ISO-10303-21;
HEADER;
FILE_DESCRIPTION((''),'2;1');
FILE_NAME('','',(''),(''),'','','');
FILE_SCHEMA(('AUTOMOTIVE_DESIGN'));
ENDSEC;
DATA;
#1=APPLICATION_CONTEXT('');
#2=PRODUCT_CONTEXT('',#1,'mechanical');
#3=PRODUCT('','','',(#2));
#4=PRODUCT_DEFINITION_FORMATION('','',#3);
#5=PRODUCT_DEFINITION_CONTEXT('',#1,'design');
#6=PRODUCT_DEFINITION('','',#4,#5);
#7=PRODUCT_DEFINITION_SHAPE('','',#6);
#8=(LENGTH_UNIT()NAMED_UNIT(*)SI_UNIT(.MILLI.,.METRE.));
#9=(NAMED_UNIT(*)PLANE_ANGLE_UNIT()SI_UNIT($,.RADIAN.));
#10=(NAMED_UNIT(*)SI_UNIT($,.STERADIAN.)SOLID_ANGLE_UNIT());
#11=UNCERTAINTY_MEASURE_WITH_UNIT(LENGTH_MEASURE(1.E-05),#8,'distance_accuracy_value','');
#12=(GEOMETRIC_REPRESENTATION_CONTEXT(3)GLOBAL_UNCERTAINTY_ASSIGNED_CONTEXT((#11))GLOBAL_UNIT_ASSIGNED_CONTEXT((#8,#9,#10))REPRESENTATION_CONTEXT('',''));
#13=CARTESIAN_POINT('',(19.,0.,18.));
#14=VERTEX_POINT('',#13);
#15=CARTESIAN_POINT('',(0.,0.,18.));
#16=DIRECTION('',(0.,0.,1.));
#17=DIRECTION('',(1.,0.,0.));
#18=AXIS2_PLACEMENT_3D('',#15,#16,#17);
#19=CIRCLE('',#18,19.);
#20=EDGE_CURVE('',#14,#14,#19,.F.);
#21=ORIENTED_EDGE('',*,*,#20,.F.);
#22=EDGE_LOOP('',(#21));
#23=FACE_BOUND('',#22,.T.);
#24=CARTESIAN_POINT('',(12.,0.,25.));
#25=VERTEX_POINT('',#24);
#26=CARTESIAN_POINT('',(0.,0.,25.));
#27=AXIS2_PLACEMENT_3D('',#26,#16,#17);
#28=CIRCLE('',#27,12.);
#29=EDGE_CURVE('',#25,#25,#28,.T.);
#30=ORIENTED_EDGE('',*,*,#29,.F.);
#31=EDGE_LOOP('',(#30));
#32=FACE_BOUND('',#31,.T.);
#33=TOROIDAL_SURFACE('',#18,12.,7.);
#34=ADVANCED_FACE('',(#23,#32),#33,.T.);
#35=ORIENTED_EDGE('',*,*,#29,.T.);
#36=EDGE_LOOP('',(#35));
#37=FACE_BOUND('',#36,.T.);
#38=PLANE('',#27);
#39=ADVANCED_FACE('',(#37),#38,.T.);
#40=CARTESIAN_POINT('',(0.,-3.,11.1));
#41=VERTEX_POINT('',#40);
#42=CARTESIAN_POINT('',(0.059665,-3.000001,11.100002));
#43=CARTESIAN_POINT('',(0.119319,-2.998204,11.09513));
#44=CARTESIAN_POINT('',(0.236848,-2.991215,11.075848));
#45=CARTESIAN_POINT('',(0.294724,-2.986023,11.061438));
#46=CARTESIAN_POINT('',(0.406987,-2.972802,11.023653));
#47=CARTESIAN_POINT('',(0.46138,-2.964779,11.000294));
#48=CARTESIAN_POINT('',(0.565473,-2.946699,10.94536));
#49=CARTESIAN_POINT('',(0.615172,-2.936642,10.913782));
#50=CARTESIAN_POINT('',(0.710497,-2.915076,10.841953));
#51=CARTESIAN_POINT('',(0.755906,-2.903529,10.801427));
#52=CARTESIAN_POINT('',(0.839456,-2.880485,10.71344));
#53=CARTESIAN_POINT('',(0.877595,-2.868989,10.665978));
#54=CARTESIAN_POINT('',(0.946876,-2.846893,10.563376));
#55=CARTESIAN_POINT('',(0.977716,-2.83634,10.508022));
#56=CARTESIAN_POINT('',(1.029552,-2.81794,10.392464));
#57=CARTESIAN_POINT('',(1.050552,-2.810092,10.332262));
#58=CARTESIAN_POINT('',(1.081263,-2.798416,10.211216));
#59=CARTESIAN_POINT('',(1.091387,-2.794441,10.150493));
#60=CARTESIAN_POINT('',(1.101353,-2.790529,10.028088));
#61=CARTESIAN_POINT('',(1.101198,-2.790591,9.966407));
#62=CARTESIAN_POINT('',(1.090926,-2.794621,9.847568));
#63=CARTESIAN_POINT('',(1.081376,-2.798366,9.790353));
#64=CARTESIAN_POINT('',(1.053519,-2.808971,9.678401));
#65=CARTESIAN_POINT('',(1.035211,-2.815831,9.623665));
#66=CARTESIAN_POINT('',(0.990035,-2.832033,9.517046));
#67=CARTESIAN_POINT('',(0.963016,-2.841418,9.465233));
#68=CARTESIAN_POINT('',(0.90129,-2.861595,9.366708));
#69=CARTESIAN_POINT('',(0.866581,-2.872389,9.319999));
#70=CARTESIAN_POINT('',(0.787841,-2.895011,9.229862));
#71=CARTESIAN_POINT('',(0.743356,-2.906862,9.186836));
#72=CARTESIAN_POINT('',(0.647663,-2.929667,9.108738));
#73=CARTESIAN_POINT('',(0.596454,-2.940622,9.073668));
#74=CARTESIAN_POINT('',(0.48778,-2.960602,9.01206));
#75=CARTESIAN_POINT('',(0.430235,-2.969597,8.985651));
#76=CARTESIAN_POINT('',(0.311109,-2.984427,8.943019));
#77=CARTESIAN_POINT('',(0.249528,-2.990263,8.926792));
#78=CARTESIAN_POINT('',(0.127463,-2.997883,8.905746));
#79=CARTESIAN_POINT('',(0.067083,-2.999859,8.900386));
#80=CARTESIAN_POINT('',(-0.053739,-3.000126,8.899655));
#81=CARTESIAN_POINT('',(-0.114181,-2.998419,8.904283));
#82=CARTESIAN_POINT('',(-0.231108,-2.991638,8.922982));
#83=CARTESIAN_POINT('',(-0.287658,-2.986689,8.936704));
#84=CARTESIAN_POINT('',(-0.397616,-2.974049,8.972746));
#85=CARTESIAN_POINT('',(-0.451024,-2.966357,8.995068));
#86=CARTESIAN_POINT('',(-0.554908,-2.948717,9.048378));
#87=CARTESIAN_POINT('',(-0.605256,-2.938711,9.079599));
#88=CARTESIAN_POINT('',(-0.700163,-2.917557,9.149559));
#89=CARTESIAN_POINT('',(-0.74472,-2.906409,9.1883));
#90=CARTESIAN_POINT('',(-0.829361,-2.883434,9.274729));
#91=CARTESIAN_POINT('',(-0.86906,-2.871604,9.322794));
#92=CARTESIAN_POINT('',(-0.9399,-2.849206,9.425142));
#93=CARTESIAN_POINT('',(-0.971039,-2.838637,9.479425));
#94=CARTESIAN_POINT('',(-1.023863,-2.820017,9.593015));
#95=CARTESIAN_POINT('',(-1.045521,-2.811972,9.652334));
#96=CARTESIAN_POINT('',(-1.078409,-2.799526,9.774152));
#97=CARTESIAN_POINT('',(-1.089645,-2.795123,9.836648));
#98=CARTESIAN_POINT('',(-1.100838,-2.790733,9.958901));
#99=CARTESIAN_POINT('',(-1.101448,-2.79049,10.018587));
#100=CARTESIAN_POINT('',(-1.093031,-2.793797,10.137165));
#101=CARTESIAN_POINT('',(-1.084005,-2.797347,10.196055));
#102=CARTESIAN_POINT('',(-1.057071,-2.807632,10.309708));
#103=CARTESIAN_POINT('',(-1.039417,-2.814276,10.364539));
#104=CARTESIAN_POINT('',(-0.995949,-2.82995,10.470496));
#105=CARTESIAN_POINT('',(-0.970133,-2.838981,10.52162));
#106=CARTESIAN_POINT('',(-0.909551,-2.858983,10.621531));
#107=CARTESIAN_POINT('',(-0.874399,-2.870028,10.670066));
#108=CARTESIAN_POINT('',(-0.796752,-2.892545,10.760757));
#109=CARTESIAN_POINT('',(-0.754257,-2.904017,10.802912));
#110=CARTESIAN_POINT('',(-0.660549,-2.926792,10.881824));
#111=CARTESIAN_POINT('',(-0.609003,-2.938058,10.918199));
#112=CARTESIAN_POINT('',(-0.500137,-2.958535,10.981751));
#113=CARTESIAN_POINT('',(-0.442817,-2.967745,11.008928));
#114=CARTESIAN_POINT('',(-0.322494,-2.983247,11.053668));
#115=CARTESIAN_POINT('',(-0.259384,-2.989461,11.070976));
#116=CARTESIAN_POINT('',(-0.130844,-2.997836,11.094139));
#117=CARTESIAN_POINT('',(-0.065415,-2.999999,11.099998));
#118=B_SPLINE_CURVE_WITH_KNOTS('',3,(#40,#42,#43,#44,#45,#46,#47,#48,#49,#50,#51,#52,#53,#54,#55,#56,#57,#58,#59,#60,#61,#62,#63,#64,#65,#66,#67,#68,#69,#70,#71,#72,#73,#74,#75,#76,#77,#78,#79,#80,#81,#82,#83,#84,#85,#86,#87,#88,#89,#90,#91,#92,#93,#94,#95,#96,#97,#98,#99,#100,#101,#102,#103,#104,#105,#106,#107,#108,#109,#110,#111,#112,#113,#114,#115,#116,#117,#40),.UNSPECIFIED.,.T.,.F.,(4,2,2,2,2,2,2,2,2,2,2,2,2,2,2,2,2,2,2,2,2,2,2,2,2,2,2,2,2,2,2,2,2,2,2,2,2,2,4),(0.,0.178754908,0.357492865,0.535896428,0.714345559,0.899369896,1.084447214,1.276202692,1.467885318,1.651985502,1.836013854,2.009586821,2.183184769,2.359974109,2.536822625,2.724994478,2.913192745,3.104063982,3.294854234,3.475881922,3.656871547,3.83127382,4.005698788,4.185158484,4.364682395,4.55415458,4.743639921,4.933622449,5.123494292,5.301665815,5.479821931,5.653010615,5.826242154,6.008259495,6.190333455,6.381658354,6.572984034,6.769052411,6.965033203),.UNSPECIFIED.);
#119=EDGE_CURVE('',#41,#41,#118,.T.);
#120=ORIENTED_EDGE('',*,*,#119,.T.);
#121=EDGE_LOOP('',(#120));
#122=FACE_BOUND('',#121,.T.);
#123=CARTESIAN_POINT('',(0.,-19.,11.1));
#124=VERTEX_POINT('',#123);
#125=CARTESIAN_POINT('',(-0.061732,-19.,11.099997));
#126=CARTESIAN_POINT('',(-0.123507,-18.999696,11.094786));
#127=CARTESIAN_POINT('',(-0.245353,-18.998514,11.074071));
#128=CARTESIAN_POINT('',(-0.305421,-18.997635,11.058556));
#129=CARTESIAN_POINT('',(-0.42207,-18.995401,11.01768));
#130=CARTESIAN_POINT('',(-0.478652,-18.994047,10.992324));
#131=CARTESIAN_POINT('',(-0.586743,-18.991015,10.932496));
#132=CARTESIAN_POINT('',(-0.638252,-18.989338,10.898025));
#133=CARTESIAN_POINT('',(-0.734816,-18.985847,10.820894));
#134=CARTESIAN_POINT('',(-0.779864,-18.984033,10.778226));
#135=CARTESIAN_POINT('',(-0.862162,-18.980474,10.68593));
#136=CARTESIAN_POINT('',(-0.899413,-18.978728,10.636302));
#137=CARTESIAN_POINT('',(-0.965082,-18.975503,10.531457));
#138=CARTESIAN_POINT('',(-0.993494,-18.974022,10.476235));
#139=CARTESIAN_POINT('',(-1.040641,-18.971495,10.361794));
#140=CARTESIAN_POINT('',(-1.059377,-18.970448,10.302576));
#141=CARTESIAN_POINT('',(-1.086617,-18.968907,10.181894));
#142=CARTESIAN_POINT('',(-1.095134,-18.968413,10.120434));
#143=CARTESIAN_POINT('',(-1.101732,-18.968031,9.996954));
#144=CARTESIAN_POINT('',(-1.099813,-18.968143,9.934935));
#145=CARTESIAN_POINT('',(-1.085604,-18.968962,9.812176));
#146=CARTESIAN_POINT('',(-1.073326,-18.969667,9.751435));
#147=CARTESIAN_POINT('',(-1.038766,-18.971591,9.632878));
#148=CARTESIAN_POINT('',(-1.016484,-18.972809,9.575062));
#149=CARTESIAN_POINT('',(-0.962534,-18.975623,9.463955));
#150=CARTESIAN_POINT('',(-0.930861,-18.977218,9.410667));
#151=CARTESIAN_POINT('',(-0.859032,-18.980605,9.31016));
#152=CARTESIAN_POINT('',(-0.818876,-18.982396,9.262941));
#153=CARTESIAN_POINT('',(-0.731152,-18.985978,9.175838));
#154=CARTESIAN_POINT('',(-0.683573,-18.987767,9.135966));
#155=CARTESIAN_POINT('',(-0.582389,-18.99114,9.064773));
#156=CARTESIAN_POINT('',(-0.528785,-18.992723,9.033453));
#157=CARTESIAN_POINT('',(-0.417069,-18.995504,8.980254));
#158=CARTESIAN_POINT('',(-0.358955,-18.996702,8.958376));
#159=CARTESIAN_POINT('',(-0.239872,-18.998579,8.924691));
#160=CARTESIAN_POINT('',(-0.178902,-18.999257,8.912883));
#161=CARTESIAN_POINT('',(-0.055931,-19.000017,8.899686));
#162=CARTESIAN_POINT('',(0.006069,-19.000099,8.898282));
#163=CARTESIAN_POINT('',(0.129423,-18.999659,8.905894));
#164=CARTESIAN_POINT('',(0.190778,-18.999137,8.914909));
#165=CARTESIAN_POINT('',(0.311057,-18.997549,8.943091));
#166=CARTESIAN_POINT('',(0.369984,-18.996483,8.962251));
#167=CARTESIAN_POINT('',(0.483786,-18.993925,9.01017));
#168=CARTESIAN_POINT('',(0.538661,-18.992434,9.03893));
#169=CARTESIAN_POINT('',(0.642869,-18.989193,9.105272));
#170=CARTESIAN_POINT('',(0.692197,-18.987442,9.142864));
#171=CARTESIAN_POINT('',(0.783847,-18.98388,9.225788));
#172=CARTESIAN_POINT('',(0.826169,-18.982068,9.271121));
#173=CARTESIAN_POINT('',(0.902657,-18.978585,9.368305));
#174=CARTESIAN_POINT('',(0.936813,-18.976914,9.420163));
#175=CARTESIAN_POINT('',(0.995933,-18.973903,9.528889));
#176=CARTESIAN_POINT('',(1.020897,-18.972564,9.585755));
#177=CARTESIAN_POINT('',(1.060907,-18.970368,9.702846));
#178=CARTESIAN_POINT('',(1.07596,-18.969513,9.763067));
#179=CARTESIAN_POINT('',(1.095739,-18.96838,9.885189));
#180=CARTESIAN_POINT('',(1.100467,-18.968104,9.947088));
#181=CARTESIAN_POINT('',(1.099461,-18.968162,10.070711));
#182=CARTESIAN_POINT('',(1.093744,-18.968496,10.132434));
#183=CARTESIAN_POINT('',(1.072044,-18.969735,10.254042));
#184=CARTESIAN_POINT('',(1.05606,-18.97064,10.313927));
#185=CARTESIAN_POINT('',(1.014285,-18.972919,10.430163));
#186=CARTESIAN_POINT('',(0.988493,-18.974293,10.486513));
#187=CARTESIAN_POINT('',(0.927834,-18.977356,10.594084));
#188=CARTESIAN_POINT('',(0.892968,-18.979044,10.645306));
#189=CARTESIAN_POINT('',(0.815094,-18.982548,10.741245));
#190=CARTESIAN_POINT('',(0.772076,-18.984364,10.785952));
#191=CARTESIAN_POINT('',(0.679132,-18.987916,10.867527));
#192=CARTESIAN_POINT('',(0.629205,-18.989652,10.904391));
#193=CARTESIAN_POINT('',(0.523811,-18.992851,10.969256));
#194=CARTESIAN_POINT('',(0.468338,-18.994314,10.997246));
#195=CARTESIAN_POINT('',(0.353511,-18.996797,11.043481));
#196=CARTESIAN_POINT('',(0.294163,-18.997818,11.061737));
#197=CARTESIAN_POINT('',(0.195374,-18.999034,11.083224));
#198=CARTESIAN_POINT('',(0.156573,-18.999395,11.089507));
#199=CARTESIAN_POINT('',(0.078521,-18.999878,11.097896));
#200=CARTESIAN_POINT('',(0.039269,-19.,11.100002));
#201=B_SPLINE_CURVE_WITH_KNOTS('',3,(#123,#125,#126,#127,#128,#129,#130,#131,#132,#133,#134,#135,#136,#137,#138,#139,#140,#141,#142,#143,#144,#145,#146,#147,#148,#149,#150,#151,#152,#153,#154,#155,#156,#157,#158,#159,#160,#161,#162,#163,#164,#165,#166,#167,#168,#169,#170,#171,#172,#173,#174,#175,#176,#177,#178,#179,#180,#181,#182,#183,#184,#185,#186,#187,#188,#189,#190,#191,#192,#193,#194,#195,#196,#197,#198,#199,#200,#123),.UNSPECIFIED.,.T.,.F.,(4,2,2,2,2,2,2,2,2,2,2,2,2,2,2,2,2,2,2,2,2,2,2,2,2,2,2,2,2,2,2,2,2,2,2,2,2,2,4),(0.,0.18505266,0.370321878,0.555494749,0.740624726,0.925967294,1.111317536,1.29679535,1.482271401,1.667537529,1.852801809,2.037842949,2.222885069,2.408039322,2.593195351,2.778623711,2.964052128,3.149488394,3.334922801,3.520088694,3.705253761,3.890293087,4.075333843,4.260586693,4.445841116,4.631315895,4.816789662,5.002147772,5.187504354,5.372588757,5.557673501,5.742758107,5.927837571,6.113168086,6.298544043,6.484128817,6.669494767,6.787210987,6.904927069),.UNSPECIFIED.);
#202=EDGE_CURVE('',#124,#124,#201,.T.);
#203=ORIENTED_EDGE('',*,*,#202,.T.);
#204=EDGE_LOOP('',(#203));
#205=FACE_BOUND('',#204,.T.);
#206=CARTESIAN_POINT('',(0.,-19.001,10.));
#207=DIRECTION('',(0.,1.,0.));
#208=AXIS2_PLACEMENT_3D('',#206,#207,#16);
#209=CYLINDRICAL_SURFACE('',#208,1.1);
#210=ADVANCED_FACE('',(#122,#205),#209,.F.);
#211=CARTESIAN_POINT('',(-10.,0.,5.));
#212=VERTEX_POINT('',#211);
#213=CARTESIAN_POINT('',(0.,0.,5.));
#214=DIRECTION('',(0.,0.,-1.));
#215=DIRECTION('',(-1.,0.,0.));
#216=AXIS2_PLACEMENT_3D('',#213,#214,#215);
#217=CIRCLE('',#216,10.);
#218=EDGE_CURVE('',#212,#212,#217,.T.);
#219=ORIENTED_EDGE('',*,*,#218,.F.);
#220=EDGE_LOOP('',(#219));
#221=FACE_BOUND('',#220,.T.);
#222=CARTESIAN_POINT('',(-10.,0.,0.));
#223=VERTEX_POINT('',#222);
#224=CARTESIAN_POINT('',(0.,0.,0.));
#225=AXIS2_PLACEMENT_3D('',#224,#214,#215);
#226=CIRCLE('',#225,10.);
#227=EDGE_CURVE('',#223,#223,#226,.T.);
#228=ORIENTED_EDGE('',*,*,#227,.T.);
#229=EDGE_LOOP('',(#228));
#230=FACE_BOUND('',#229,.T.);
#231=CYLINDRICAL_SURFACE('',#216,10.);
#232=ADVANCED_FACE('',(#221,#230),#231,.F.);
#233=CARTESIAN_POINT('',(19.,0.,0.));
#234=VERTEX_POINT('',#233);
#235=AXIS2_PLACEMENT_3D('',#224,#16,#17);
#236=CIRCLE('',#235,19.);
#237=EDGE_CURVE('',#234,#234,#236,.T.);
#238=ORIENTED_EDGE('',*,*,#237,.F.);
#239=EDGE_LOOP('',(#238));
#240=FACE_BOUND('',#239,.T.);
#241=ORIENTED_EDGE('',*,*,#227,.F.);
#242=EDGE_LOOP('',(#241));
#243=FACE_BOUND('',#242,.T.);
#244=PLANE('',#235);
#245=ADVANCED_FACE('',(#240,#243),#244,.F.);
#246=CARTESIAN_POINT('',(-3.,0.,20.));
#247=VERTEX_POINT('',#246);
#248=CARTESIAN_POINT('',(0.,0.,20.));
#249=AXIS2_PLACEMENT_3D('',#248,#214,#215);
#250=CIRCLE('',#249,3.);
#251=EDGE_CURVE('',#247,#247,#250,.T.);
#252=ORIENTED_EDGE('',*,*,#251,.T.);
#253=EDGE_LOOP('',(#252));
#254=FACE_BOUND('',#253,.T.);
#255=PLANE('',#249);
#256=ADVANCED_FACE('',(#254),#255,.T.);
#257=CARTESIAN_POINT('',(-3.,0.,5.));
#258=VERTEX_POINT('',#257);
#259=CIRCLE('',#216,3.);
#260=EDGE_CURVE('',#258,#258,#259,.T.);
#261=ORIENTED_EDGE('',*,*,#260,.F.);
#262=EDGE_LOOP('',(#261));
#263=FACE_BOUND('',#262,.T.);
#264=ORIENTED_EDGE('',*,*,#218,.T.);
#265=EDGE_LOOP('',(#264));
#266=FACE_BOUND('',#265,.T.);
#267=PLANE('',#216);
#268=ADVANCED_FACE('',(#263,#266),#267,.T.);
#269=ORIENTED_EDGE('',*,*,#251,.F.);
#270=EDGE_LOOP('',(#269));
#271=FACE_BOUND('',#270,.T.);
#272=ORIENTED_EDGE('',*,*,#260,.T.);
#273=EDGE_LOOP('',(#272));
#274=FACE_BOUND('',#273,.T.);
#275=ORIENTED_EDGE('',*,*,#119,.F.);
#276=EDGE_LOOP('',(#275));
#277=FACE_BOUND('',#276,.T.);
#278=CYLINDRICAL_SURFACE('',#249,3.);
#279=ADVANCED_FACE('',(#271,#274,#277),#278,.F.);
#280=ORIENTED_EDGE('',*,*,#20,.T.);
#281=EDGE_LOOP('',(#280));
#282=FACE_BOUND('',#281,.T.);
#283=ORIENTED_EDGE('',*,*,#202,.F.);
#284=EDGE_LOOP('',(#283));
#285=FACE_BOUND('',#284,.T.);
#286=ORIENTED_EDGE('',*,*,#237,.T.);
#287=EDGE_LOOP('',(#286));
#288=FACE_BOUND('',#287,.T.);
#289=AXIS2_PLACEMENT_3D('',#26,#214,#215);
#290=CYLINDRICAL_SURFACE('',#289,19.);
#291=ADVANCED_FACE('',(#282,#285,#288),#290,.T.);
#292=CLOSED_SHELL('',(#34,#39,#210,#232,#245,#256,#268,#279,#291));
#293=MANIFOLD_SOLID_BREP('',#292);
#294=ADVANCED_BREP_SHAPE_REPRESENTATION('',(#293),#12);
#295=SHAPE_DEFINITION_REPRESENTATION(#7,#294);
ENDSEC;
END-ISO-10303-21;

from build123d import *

# Parameters (mm, degrees)
SKETCH_1_R          = 19
EXTRUDE_1_DEPTH     = 25
SKETCH_2_R          = 10
CUT_EXTRUDE_1_DEPTH = 5
SKETCH_3_R          = 3
CUT_EXTRUDE_2_DEPTH = 15
CUT_EXTRUDE_3_REACH = 21
SKETCH_4_R          = 1.1
FILLET_1_R          = 7


with BuildPart() as part:
    # 草圖1 → 填料-伸長1 (new body)
    with BuildSketch(Plane.XY):
        Circle(SKETCH_1_R)
    extrude(amount=EXTRUDE_1_DEPTH)

    # 草圖2 → 除料-伸長1 (cut)
    with BuildSketch(Plane(origin=(0, 0, 0), x_dir=(-1, 0, 0), z_dir=(0, 0, -1))):
        Circle(SKETCH_2_R)
    extrude(amount=-CUT_EXTRUDE_1_DEPTH, mode=Mode.SUBTRACT)

    # 草圖3 → 除料-伸長2 (cut)
    with BuildSketch(Plane(origin=(0, 0, 5), x_dir=(-1, 0, 0), z_dir=(0, 0, -1))):
        Circle(SKETCH_3_R)
    extrude(amount=-CUT_EXTRUDE_2_DEPTH, mode=Mode.SUBTRACT)

    # 草圖4 → 除料-伸長3 (cut, up to next)
    with BuildSketch(Plane(origin=(0, 0, 0), x_dir=(1, 0, 0), z_dir=(0, 1, 0)), mode=Mode.PRIVATE) as cut_extrude_3_sk1:
        with Locations((0, -10)):
            Circle(SKETCH_4_R)
    cut_extrude_3_tool1 = extrude(cut_extrude_3_sk1.sketch, amount=-CUT_EXTRUDE_3_REACH, mode=Mode.PRIVATE) & part.part
    add(cut_extrude_3_tool1.solids().sort_by_distance((0, 0, 10))[0], mode=Mode.SUBTRACT)

    # 圓角1
    fillet_1_edges = [part.edges().sort_by_distance(p)[0] for p in [
        (-19, 0, 25),
    ]]
    fillet(fillet_1_edges, radius=FILLET_1_R)


solid = part.part
